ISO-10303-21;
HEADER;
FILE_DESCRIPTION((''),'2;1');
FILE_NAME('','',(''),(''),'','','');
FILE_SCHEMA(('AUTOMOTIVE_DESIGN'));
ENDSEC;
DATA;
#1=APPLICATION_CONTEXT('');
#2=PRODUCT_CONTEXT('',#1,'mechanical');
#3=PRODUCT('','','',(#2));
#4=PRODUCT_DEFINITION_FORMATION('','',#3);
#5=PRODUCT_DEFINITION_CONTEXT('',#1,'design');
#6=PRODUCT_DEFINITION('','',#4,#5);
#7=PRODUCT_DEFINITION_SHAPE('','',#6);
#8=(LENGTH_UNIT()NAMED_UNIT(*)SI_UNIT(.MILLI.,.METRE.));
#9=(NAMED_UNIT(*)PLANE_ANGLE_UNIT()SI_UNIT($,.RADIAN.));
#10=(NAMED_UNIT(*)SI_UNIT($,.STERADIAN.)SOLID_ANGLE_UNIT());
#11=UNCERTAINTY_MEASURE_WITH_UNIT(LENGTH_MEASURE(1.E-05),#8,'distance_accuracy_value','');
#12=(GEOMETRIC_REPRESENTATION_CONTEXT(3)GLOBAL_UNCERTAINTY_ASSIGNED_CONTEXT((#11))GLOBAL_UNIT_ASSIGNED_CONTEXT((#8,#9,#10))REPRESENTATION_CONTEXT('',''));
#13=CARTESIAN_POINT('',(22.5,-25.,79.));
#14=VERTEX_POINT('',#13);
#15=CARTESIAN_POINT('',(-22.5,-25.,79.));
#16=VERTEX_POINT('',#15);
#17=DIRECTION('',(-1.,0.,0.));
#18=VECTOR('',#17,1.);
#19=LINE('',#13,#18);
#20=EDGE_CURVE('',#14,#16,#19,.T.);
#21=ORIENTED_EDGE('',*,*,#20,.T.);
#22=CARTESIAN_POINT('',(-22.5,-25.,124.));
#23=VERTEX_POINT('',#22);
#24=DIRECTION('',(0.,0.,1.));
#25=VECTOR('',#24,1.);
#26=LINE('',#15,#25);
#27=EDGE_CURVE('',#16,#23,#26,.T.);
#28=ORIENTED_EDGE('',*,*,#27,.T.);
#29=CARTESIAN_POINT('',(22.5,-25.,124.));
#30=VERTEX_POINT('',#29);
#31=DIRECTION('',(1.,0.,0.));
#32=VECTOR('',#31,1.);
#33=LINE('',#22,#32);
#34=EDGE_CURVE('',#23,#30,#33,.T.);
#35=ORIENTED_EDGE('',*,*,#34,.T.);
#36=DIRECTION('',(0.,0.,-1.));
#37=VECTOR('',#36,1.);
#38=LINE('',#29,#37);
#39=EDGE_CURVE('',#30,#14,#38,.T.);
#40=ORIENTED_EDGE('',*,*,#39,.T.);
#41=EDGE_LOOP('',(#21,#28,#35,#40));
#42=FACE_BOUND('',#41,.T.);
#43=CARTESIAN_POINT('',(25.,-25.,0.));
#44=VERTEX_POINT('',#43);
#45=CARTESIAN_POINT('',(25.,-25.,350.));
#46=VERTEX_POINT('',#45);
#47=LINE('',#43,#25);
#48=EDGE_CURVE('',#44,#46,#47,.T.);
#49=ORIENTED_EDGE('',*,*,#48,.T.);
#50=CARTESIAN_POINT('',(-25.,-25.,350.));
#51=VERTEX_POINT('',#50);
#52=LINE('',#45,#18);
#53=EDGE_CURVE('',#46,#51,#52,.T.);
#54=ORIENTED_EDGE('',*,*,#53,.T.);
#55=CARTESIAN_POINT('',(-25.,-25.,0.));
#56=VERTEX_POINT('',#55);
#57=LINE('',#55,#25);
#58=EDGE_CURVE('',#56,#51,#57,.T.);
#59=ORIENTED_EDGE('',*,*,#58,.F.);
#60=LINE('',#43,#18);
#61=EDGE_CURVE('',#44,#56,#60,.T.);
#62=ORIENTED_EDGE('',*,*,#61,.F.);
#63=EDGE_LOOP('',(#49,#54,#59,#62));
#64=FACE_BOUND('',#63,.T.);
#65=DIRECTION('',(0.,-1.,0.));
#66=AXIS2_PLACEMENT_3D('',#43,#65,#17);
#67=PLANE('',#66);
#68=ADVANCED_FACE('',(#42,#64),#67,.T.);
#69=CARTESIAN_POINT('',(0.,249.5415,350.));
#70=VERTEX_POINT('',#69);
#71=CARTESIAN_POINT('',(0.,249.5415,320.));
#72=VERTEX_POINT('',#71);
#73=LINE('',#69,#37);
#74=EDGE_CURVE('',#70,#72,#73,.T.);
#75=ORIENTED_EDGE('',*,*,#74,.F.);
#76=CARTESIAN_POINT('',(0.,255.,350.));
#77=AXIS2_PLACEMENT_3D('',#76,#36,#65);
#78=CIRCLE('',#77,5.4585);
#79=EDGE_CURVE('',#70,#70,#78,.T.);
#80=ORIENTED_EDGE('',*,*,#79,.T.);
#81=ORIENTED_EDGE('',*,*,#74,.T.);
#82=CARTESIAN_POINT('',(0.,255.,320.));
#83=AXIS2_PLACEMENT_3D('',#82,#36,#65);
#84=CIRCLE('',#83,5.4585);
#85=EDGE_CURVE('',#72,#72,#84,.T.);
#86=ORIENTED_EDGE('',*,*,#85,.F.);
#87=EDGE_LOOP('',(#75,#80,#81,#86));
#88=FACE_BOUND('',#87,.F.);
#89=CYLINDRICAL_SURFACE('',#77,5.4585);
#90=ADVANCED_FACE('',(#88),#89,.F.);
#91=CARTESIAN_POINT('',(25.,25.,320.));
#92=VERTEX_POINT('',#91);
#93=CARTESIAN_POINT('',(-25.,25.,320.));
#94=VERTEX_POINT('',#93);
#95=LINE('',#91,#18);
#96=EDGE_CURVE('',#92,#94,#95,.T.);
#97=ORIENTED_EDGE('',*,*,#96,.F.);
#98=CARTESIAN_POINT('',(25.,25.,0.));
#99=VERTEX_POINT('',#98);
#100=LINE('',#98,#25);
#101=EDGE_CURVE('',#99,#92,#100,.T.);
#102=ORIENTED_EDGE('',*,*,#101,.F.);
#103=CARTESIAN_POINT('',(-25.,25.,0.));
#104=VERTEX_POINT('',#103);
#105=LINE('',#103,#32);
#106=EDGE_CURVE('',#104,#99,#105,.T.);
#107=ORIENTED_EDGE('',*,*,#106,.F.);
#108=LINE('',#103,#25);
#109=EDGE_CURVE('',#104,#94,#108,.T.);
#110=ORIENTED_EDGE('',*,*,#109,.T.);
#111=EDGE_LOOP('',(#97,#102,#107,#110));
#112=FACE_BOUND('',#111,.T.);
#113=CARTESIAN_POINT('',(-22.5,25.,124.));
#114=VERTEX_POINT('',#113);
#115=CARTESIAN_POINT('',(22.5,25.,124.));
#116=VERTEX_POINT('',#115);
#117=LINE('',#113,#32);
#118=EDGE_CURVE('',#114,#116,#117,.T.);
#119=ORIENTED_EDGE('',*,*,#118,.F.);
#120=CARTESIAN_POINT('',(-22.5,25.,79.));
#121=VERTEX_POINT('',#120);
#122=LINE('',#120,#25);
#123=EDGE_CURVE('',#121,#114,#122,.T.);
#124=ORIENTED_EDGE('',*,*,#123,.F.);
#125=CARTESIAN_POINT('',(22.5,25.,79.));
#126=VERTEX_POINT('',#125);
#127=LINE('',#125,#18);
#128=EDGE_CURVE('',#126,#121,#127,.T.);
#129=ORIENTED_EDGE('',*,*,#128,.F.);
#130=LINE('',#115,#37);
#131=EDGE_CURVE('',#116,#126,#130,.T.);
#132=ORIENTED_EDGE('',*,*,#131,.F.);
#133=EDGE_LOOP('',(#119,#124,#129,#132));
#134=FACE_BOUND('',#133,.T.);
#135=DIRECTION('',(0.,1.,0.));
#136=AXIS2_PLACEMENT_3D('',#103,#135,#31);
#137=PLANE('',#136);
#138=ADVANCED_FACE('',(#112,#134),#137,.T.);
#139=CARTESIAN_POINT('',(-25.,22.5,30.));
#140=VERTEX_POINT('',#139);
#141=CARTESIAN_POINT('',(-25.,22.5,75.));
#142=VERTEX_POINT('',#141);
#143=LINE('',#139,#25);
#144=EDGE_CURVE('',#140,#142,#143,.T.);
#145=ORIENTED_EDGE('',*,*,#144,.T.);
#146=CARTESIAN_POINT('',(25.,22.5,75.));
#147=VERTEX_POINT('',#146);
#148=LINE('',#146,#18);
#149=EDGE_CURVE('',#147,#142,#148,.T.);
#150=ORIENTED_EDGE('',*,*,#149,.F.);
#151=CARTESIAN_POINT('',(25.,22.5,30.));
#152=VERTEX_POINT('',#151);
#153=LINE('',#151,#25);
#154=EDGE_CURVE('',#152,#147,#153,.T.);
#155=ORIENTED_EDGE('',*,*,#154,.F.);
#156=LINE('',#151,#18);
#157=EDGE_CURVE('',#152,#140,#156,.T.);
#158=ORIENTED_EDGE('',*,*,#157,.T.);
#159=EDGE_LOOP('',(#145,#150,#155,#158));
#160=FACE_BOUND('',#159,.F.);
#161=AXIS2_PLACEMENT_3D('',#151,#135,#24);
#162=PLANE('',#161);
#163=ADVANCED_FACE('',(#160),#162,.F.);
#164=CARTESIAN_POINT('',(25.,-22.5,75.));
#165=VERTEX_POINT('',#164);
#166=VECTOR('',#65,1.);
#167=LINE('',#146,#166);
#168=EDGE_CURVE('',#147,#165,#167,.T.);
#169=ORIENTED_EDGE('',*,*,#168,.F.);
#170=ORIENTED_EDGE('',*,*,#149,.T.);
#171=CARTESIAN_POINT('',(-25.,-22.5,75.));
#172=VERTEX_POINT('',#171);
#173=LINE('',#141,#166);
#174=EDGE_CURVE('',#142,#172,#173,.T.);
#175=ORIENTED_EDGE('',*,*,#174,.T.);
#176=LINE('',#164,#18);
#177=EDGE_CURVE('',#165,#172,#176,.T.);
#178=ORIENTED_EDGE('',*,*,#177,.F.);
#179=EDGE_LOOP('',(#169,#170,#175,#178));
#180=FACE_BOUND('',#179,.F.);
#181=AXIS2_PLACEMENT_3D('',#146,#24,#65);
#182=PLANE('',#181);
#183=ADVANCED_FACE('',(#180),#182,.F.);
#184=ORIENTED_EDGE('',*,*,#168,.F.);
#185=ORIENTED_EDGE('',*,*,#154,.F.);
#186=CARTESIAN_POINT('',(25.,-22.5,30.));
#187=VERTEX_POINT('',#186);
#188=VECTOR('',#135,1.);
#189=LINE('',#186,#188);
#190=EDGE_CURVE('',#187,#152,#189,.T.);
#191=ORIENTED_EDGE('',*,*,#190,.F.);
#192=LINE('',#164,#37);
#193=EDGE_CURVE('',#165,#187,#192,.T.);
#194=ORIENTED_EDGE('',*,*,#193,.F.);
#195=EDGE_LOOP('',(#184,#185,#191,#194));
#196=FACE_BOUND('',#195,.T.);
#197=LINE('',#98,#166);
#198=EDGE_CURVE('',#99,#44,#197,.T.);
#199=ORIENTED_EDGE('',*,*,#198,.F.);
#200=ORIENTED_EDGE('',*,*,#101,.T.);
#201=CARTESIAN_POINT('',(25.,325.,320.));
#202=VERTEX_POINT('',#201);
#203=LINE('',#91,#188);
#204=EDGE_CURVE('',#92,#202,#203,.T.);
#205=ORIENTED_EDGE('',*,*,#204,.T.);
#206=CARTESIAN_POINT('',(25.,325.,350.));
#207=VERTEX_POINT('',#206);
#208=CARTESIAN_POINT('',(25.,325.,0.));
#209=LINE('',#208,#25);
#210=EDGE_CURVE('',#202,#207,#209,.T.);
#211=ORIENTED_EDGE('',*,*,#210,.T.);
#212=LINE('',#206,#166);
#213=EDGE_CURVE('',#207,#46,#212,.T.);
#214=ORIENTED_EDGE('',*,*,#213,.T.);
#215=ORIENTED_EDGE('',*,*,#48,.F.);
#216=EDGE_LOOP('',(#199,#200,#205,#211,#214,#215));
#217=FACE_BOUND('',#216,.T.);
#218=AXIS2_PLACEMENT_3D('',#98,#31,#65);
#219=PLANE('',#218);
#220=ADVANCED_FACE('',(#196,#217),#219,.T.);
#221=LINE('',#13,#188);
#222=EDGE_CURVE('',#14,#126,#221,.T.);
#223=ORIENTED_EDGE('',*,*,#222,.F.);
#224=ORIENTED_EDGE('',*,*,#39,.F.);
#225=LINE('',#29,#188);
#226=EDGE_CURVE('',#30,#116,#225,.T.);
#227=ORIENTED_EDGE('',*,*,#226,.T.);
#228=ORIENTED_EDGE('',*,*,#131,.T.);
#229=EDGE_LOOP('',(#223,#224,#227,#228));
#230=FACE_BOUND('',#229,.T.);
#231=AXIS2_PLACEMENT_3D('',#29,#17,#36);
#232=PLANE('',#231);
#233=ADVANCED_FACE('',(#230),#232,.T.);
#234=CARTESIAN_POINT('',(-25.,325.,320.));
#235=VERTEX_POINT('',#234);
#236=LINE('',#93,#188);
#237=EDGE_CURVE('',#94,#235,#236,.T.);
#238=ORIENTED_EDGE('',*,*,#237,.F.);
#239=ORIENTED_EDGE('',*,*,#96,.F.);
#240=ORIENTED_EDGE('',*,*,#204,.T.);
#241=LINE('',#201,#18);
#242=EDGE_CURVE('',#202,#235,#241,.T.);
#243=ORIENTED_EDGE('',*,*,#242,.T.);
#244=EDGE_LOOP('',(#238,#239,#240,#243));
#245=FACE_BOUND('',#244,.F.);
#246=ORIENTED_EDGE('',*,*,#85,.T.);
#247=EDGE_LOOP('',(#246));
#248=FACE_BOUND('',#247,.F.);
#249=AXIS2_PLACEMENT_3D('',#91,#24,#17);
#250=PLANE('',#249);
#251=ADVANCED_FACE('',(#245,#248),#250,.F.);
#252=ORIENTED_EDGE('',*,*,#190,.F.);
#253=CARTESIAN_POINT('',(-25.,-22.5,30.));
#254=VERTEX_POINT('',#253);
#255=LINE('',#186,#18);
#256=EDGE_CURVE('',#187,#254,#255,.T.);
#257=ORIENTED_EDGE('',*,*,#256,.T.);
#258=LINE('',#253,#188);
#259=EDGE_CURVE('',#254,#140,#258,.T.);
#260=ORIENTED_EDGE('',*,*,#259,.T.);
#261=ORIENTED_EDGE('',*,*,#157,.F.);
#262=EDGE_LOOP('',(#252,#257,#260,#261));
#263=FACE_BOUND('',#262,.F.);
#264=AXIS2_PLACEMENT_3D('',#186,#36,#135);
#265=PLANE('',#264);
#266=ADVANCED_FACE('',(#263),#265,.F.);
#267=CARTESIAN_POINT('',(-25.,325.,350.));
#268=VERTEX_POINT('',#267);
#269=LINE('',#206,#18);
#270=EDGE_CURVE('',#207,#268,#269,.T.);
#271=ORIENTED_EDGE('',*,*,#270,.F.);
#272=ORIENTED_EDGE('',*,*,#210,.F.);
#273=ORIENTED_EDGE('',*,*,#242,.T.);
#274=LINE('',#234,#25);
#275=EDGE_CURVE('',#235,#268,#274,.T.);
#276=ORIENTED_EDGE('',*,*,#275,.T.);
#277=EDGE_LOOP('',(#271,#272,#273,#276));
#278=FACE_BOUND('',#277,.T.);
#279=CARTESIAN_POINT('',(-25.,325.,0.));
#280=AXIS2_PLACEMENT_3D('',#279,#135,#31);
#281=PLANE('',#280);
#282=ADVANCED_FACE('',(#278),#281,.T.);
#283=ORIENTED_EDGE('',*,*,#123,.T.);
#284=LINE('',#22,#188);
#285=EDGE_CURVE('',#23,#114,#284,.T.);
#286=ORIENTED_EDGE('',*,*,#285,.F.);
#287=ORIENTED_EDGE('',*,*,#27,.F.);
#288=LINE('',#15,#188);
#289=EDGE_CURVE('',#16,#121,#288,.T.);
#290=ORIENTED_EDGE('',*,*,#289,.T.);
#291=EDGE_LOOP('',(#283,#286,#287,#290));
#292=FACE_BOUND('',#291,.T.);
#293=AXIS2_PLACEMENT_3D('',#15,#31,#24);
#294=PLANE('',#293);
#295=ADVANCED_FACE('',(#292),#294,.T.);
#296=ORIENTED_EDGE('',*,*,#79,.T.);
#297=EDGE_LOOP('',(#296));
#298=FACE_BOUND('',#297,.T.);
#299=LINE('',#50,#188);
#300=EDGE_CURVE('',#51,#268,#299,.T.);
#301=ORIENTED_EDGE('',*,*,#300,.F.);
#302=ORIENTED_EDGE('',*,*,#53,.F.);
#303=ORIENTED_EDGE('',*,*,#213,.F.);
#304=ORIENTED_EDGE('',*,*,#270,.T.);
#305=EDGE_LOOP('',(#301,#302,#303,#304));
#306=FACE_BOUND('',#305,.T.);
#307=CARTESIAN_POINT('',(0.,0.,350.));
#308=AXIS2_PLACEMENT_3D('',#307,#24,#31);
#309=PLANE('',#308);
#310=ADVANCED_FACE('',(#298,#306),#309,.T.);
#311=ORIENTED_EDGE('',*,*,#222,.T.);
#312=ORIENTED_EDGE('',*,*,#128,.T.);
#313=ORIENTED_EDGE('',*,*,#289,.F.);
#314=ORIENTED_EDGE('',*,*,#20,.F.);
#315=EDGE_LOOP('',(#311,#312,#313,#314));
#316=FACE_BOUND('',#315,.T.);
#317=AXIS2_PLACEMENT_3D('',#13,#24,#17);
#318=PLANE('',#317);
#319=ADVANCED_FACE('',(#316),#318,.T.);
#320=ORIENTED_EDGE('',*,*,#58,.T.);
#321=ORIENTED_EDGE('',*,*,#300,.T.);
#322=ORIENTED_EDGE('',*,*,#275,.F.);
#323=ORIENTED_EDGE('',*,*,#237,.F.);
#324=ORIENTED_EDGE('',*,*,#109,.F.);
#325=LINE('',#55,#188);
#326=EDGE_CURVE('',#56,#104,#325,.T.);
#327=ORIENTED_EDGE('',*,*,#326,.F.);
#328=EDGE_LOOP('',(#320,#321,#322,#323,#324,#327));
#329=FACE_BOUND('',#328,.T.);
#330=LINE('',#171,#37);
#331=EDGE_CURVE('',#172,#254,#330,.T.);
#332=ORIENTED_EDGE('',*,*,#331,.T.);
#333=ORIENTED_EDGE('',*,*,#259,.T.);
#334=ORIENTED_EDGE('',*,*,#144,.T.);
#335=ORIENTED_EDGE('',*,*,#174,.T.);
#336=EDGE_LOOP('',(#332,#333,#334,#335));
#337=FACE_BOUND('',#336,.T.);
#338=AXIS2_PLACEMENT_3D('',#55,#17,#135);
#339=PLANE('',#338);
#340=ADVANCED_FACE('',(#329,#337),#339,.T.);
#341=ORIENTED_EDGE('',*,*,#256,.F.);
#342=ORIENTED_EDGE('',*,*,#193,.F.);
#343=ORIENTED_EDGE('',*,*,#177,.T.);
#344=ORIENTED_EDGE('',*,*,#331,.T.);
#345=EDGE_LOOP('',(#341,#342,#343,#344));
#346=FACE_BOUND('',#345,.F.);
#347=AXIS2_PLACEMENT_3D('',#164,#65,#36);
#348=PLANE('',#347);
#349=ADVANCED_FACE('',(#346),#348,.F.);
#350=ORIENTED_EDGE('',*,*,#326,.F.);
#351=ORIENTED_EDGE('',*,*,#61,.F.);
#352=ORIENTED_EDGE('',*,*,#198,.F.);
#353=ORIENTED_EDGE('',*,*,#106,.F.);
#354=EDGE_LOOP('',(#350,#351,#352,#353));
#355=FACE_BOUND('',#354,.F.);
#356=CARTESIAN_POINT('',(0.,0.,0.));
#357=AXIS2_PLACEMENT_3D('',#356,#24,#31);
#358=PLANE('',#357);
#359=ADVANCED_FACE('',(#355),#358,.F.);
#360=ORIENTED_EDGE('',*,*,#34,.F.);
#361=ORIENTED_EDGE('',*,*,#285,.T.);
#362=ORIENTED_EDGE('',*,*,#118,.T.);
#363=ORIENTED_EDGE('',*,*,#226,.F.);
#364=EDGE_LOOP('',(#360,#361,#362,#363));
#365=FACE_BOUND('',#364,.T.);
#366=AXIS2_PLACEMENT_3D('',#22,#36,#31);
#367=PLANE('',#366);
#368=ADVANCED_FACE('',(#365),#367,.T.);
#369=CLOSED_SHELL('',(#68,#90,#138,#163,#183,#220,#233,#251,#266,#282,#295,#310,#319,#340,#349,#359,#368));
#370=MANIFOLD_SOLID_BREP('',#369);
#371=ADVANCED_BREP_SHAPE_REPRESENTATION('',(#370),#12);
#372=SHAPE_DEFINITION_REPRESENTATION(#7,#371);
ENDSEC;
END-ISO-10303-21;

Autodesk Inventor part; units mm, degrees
ref_plane "YZ Plane" through (0, 0, 0) normal (1, 0, 0) x (0, 1, 0)
ref_plane "XZ Plane" through (0, 0, 0) normal (0, 1, 0) x (-1, 0, 0)
ref_plane "XY Plane" through (0, 0, 0) normal (0, 0, 1) x (1, 0, 0)
sketch "Sketch1" plane through (0, 0, 0) normal (0, 0, 1) x (1, 0, 0)
  line L0 (-25, 25) -> (25, 25)
  line L1 (25, 25) -> (25, -25)
  line L2 (25, -25) -> (-25, -25)
  line L3 (-25, -25) -> (-25, 25)
  point P0 (0, 0)
  dimension "d0" = 50
  dimension "d1" = 25
  dimension "d2" = 25
  dimension "d3" = 25
extrude "Extrusion1" add sketch "Sketch1" along normal blind 350
sketch "Sketch2" plane through (-25, 25, 0) normal (0, 1, 0) x (1, 0, 0)
  line L0 (50, -350) -> (0, -350) projected
  line L1 (50, 0) -> (50, -350) projected
  line L2 (0, -350) -> (50, -350)
  line L3 (50, -350) -> (50, -320)
  line L4 (50, -320) -> (0, -320)
  line L5 (0, -320) -> (0, -350)
  point P0 (25, 0)
  dimension "d6" = 30
extrude "Extrusion2" add sketch "Sketch2" along normal blind 300
sketch "Sketch3" plane through (0, 0, 350) normal (0, 0, 1) x (1, 0, 0)
  line L0 (-25, 325) -> (25, 325) projected
  line L1 (25, -25) -> (25, 325) projected
  point P0 (0, 0)
  point P1 (0, 255)
  dimension "d9" = 70
  dimension "d10" = 25
hole "Hole1" at (0, 255, 350) direction (0, 0, -1) diameter 10.917 end through all thread size "M12x1" class "6H" standard "ANSI Metric M Profile"
sketch "Sketch6" plane through (25, -25, 0) normal (1, 0, 0) x (0, 0, -1)
  line L0 (-75, 2.5) -> (-30, 2.5)
  line L1 (-30, 2.5) -> (-30, 47.5)
  line L2 (-30, 47.5) -> (-75, 47.5)
  line L3 (-75, 47.5) -> (-75, 2.5)
  line L4 (0, 50) -> (0, 0) projected
  line L5 (0, 0) -> (-350, 0) projected
  point P0 (0, 25)
  dimension "d36" = 45
  dimension "d37" = 45
  dimension "d38" = 30
  dimension "d39" = 2.5
extrude "Extrusion3" cut sketch "Sketch6" against normal blind 50
sketch "Sketch7" plane through (-25, -25, 0) normal (0, -1, 0) x (1, 0, 0)
  line L0 (50, 0) -> (0, 0) projected
  line L1 (50, 0) -> (50, 350) projected
  point P0 (25, 0)
  point P1 (25, 102)
  dimension "d42" = 102
  dimension "d43" = 25
hole "Hole4" at (0, -25, 102) direction (0, 1, 0) diameter 11.835 end through all thread size "M14x2" class "6H" standard "ANSI Metric M Profile"
sketch "Sketch8" plane through (-25, -25, 0) normal (0, -1, 0) x (1, 0, 0)
  line L0 (2.5, 124) -> (47.5, 124)
  line L1 (47.5, 124) -> (47.5, 79)
  line L2 (47.5, 79) -> (2.5, 79)
  line L3 (2.5, 79) -> (2.5, 124)
  line L4 (50, 0) -> (0, 0) projected
  line L5 (0, 0) -> (0, 350) projected
  point P0 (25, 0)
  dimension "d51" = 45
  dimension "d52" = 45
  dimension "d53" = 79
  dimension "d54" = 2.5
extrude "Extrusion4" cut sketch "Sketch8" against normal blind 50
sketch "Sketch9" plane through (25, -25, 0) normal (1, 0, 0) x (0, 0, -1)
  line L0 (0, 50) -> (0, 0) projected
  line L1 (0, 0) -> (-350, 0) projected
  point P0 (0, 25)
  point P1 (-52.5, 25)
  dimension "d57" = 52.5
  dimension "d58" = 25
hole "Hole5" at (25, 0, 52.5) direction (-1, 0, 0) diameter 11.835 end through all thread size "M14x2" class "6H" standard "ANSI Metric M Profile"
properties part number "brazo"
